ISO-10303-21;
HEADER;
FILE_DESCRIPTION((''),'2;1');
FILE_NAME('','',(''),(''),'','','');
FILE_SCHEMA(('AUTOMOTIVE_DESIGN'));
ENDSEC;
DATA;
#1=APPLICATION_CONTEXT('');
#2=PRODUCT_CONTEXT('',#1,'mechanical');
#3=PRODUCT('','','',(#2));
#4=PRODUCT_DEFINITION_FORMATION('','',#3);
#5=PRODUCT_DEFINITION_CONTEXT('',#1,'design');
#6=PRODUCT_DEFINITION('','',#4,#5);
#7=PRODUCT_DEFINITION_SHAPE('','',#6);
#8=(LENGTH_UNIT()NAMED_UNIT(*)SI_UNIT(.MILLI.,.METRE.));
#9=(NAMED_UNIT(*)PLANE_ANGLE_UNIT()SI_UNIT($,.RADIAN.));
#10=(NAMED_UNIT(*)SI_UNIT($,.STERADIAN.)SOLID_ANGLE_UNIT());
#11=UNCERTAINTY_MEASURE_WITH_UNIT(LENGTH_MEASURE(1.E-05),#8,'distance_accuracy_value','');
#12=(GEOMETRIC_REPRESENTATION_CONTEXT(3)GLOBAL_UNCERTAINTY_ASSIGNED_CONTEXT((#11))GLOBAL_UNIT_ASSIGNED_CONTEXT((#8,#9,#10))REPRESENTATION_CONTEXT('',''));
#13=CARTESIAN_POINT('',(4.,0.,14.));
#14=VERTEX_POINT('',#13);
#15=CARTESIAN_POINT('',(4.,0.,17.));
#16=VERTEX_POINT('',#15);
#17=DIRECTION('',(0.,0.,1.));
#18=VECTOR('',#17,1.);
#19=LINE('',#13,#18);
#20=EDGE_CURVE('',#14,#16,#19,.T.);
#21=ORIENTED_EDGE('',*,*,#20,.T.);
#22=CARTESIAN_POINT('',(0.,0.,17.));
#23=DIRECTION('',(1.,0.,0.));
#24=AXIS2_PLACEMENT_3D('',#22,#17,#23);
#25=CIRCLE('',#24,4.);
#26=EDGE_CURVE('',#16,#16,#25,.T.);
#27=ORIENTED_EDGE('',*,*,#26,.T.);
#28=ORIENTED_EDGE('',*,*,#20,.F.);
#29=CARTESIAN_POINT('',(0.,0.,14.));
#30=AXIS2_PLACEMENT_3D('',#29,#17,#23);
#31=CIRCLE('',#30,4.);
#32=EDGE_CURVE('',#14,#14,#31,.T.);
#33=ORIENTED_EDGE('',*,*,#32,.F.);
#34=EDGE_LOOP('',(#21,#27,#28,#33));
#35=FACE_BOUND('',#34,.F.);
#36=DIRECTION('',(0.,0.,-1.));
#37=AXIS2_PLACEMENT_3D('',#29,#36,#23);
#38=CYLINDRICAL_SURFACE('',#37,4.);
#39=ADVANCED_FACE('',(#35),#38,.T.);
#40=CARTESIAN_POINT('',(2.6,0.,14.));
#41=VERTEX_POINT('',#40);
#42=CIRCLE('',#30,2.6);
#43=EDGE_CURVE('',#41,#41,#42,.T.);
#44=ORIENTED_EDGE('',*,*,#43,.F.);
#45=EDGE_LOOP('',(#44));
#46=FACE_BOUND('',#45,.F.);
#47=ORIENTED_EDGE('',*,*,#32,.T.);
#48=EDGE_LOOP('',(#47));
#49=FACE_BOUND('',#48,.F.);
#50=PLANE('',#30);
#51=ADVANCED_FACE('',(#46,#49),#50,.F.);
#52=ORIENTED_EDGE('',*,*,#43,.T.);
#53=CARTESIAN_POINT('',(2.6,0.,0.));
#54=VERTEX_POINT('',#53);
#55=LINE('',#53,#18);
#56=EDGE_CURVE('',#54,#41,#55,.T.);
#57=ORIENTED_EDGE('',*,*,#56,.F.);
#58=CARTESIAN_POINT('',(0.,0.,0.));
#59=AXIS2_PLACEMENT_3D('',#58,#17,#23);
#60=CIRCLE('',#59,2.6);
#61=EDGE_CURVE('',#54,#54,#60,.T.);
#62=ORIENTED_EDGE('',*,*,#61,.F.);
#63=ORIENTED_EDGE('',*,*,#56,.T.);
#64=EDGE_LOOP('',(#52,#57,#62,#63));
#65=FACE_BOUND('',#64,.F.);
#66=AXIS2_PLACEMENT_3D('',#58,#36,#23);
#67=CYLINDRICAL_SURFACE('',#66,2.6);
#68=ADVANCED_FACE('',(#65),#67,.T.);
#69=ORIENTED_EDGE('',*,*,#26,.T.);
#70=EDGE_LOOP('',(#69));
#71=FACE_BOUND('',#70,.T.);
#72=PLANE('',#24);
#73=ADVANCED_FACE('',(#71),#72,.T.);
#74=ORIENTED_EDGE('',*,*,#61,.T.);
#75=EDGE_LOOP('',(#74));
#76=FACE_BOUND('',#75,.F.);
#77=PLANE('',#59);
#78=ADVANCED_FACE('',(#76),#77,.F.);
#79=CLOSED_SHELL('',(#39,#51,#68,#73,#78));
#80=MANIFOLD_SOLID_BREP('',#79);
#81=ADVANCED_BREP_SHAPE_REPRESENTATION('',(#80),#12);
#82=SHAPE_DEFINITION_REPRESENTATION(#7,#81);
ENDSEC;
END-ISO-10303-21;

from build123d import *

# Parameters (mm, degrees)
CYLINDER004_R     = 2.6
CYLINDER004_DEPTH = 14
CYLINDER003_R     = 4
CYLINDER003_DEPTH = 3


with BuildPart() as button_pusher:
    # Cylinder004 → Cylinder004 (new body)
    with BuildSketch(Plane.XY):
        Circle(CYLINDER004_R)
    extrude(amount=CYLINDER004_DEPTH)


with BuildPart() as button_pusher_fusion:
    # Cylinder003 → Cylinder003 (new body)
    with BuildSketch(Plane.XY.offset(14)):
        Circle(CYLINDER003_R)
    extrude(amount=CYLINDER003_DEPTH)

    # Fusion009: union button pusher
    add(button_pusher.part)


solid = button_pusher_fusion.part
